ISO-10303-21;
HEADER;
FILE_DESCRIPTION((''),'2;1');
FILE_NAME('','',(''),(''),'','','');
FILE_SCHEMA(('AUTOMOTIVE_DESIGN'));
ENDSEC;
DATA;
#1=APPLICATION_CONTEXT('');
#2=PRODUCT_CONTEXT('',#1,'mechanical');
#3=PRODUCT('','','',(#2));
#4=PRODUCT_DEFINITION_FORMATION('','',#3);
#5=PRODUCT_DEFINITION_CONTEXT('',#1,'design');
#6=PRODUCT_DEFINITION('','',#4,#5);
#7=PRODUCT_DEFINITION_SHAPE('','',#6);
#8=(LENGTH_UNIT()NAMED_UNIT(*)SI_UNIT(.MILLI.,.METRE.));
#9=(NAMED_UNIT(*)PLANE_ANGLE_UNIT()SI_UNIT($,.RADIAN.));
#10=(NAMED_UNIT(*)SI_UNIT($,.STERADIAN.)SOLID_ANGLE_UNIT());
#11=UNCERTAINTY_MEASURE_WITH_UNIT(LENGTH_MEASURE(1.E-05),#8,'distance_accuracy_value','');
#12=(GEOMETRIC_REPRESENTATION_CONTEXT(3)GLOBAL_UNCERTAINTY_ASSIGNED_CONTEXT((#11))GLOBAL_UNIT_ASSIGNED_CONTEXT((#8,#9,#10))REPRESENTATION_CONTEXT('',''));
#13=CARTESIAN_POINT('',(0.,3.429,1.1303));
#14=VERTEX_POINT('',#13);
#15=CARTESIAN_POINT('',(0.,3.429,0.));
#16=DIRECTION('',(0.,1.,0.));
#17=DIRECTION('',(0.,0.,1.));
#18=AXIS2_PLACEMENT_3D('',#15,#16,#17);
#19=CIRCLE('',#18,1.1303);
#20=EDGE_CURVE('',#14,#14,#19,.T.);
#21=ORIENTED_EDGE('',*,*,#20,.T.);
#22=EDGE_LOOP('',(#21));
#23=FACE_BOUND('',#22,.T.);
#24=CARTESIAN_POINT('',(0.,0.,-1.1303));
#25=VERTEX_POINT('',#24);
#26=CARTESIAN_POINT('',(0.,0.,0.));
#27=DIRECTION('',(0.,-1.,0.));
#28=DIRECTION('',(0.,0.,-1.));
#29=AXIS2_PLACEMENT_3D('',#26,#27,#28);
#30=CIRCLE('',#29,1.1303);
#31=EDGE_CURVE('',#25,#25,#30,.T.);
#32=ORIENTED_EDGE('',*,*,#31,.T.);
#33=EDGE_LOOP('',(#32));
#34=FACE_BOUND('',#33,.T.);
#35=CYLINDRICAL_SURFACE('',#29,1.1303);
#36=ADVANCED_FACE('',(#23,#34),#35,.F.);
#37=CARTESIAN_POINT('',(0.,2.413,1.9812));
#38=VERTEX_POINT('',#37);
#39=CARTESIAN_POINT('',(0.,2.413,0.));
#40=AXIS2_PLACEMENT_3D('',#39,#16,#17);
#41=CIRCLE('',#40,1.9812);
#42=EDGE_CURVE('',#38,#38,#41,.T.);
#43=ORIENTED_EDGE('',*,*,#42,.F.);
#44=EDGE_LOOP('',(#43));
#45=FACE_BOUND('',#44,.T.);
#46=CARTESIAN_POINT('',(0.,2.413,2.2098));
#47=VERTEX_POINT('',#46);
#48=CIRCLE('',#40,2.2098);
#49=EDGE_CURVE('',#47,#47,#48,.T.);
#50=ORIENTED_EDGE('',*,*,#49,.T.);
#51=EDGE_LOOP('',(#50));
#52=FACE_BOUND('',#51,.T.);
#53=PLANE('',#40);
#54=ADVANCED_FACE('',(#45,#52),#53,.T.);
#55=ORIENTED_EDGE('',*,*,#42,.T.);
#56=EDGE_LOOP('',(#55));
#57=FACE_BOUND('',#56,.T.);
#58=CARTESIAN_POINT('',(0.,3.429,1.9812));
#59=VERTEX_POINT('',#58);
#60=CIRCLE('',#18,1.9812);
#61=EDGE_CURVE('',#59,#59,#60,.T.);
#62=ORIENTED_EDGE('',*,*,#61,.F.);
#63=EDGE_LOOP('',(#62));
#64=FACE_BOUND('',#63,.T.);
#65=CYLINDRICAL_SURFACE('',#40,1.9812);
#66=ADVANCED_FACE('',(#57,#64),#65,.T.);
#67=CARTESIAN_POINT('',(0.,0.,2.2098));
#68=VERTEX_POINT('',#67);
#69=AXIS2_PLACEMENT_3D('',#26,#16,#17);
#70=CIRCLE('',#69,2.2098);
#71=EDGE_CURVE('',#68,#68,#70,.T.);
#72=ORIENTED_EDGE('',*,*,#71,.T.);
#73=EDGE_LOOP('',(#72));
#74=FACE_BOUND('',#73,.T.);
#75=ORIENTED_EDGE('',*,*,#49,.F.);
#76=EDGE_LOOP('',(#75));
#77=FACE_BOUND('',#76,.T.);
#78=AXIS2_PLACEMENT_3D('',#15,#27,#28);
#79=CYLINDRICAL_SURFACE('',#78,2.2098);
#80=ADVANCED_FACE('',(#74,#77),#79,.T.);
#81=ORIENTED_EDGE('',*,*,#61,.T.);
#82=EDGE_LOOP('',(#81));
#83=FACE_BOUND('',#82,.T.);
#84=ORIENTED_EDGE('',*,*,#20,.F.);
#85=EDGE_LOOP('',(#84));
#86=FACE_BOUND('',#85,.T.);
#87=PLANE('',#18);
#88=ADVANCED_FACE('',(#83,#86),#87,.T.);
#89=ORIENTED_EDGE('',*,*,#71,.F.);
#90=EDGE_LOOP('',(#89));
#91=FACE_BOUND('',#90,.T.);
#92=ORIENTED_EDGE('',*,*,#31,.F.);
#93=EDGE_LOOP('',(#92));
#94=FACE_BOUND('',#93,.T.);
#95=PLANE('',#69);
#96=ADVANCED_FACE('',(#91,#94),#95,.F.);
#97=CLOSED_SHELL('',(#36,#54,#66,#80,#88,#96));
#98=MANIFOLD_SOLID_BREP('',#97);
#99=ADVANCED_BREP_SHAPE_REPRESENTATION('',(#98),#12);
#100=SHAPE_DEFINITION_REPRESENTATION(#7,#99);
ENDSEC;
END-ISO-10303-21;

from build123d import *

# Parameters (mm, degrees)
SKETCH1_R                 = 2.2098
BOSS_EXTRUDE1_DEPTH       = 3.429
SKETCH2_OUTSIDE_W         = 7.846
SKETCH2_OUTSIDE_H         = 7.846
SKETCH2_OUTSIDE_R         = 1.9812
CUT_EXTRUDE1_DEPTH        = 1.016
F_4_40_TAPPED_HOLE1_D     = 2.2606
F_4_40_TAPPED_HOLE1_DEPTH = 8.8646
F_4_40_TAPPED_HOLE1_TIP   = 0.679152758


with BuildPart() as part:
    # Sketch1 → Boss-Extrude1 (new body)
    with BuildSketch(Plane(origin=(0, 0, 0), x_dir=(1, 0, 0), z_dir=(0, 1, 0))):
        with Locations(Location((0, 0, 0), (0, 0, 270))):
            Circle(SKETCH1_R)
    extrude(amount=BOSS_EXTRUDE1_DEPTH)

    # Sketch2 outside → Cut-Extrude1 (cut)
    with BuildSketch(Plane(origin=(0, 3.429, 0), x_dir=(1, 0, 0), z_dir=(0, 1, 0))):
        Rectangle(SKETCH2_OUTSIDE_W, SKETCH2_OUTSIDE_H)
        with Locations(Location((0, 0, 0), (0, 0, 270))):
            Circle(SKETCH2_OUTSIDE_R, mode=Mode.SUBTRACT)
    extrude(amount=-CUT_EXTRUDE1_DEPTH, mode=Mode.SUBTRACT)

    # #4-40 Tapped Hole1
    with Locations(Plane(origin=(0, 0, 0), x_dir=(-1, 0, 0), z_dir=(0, -1, 0))):
        with Locations((0, 0)):
            Hole(F_4_40_TAPPED_HOLE1_D / 2, depth=F_4_40_TAPPED_HOLE1_DEPTH)
            with Locations((0, 0, -(F_4_40_TAPPED_HOLE1_DEPTH + F_4_40_TAPPED_HOLE1_TIP / 2))):  # 118° drill point
                Cone(0, F_4_40_TAPPED_HOLE1_D / 2, F_4_40_TAPPED_HOLE1_TIP, mode=Mode.SUBTRACT)


solid = part.part
